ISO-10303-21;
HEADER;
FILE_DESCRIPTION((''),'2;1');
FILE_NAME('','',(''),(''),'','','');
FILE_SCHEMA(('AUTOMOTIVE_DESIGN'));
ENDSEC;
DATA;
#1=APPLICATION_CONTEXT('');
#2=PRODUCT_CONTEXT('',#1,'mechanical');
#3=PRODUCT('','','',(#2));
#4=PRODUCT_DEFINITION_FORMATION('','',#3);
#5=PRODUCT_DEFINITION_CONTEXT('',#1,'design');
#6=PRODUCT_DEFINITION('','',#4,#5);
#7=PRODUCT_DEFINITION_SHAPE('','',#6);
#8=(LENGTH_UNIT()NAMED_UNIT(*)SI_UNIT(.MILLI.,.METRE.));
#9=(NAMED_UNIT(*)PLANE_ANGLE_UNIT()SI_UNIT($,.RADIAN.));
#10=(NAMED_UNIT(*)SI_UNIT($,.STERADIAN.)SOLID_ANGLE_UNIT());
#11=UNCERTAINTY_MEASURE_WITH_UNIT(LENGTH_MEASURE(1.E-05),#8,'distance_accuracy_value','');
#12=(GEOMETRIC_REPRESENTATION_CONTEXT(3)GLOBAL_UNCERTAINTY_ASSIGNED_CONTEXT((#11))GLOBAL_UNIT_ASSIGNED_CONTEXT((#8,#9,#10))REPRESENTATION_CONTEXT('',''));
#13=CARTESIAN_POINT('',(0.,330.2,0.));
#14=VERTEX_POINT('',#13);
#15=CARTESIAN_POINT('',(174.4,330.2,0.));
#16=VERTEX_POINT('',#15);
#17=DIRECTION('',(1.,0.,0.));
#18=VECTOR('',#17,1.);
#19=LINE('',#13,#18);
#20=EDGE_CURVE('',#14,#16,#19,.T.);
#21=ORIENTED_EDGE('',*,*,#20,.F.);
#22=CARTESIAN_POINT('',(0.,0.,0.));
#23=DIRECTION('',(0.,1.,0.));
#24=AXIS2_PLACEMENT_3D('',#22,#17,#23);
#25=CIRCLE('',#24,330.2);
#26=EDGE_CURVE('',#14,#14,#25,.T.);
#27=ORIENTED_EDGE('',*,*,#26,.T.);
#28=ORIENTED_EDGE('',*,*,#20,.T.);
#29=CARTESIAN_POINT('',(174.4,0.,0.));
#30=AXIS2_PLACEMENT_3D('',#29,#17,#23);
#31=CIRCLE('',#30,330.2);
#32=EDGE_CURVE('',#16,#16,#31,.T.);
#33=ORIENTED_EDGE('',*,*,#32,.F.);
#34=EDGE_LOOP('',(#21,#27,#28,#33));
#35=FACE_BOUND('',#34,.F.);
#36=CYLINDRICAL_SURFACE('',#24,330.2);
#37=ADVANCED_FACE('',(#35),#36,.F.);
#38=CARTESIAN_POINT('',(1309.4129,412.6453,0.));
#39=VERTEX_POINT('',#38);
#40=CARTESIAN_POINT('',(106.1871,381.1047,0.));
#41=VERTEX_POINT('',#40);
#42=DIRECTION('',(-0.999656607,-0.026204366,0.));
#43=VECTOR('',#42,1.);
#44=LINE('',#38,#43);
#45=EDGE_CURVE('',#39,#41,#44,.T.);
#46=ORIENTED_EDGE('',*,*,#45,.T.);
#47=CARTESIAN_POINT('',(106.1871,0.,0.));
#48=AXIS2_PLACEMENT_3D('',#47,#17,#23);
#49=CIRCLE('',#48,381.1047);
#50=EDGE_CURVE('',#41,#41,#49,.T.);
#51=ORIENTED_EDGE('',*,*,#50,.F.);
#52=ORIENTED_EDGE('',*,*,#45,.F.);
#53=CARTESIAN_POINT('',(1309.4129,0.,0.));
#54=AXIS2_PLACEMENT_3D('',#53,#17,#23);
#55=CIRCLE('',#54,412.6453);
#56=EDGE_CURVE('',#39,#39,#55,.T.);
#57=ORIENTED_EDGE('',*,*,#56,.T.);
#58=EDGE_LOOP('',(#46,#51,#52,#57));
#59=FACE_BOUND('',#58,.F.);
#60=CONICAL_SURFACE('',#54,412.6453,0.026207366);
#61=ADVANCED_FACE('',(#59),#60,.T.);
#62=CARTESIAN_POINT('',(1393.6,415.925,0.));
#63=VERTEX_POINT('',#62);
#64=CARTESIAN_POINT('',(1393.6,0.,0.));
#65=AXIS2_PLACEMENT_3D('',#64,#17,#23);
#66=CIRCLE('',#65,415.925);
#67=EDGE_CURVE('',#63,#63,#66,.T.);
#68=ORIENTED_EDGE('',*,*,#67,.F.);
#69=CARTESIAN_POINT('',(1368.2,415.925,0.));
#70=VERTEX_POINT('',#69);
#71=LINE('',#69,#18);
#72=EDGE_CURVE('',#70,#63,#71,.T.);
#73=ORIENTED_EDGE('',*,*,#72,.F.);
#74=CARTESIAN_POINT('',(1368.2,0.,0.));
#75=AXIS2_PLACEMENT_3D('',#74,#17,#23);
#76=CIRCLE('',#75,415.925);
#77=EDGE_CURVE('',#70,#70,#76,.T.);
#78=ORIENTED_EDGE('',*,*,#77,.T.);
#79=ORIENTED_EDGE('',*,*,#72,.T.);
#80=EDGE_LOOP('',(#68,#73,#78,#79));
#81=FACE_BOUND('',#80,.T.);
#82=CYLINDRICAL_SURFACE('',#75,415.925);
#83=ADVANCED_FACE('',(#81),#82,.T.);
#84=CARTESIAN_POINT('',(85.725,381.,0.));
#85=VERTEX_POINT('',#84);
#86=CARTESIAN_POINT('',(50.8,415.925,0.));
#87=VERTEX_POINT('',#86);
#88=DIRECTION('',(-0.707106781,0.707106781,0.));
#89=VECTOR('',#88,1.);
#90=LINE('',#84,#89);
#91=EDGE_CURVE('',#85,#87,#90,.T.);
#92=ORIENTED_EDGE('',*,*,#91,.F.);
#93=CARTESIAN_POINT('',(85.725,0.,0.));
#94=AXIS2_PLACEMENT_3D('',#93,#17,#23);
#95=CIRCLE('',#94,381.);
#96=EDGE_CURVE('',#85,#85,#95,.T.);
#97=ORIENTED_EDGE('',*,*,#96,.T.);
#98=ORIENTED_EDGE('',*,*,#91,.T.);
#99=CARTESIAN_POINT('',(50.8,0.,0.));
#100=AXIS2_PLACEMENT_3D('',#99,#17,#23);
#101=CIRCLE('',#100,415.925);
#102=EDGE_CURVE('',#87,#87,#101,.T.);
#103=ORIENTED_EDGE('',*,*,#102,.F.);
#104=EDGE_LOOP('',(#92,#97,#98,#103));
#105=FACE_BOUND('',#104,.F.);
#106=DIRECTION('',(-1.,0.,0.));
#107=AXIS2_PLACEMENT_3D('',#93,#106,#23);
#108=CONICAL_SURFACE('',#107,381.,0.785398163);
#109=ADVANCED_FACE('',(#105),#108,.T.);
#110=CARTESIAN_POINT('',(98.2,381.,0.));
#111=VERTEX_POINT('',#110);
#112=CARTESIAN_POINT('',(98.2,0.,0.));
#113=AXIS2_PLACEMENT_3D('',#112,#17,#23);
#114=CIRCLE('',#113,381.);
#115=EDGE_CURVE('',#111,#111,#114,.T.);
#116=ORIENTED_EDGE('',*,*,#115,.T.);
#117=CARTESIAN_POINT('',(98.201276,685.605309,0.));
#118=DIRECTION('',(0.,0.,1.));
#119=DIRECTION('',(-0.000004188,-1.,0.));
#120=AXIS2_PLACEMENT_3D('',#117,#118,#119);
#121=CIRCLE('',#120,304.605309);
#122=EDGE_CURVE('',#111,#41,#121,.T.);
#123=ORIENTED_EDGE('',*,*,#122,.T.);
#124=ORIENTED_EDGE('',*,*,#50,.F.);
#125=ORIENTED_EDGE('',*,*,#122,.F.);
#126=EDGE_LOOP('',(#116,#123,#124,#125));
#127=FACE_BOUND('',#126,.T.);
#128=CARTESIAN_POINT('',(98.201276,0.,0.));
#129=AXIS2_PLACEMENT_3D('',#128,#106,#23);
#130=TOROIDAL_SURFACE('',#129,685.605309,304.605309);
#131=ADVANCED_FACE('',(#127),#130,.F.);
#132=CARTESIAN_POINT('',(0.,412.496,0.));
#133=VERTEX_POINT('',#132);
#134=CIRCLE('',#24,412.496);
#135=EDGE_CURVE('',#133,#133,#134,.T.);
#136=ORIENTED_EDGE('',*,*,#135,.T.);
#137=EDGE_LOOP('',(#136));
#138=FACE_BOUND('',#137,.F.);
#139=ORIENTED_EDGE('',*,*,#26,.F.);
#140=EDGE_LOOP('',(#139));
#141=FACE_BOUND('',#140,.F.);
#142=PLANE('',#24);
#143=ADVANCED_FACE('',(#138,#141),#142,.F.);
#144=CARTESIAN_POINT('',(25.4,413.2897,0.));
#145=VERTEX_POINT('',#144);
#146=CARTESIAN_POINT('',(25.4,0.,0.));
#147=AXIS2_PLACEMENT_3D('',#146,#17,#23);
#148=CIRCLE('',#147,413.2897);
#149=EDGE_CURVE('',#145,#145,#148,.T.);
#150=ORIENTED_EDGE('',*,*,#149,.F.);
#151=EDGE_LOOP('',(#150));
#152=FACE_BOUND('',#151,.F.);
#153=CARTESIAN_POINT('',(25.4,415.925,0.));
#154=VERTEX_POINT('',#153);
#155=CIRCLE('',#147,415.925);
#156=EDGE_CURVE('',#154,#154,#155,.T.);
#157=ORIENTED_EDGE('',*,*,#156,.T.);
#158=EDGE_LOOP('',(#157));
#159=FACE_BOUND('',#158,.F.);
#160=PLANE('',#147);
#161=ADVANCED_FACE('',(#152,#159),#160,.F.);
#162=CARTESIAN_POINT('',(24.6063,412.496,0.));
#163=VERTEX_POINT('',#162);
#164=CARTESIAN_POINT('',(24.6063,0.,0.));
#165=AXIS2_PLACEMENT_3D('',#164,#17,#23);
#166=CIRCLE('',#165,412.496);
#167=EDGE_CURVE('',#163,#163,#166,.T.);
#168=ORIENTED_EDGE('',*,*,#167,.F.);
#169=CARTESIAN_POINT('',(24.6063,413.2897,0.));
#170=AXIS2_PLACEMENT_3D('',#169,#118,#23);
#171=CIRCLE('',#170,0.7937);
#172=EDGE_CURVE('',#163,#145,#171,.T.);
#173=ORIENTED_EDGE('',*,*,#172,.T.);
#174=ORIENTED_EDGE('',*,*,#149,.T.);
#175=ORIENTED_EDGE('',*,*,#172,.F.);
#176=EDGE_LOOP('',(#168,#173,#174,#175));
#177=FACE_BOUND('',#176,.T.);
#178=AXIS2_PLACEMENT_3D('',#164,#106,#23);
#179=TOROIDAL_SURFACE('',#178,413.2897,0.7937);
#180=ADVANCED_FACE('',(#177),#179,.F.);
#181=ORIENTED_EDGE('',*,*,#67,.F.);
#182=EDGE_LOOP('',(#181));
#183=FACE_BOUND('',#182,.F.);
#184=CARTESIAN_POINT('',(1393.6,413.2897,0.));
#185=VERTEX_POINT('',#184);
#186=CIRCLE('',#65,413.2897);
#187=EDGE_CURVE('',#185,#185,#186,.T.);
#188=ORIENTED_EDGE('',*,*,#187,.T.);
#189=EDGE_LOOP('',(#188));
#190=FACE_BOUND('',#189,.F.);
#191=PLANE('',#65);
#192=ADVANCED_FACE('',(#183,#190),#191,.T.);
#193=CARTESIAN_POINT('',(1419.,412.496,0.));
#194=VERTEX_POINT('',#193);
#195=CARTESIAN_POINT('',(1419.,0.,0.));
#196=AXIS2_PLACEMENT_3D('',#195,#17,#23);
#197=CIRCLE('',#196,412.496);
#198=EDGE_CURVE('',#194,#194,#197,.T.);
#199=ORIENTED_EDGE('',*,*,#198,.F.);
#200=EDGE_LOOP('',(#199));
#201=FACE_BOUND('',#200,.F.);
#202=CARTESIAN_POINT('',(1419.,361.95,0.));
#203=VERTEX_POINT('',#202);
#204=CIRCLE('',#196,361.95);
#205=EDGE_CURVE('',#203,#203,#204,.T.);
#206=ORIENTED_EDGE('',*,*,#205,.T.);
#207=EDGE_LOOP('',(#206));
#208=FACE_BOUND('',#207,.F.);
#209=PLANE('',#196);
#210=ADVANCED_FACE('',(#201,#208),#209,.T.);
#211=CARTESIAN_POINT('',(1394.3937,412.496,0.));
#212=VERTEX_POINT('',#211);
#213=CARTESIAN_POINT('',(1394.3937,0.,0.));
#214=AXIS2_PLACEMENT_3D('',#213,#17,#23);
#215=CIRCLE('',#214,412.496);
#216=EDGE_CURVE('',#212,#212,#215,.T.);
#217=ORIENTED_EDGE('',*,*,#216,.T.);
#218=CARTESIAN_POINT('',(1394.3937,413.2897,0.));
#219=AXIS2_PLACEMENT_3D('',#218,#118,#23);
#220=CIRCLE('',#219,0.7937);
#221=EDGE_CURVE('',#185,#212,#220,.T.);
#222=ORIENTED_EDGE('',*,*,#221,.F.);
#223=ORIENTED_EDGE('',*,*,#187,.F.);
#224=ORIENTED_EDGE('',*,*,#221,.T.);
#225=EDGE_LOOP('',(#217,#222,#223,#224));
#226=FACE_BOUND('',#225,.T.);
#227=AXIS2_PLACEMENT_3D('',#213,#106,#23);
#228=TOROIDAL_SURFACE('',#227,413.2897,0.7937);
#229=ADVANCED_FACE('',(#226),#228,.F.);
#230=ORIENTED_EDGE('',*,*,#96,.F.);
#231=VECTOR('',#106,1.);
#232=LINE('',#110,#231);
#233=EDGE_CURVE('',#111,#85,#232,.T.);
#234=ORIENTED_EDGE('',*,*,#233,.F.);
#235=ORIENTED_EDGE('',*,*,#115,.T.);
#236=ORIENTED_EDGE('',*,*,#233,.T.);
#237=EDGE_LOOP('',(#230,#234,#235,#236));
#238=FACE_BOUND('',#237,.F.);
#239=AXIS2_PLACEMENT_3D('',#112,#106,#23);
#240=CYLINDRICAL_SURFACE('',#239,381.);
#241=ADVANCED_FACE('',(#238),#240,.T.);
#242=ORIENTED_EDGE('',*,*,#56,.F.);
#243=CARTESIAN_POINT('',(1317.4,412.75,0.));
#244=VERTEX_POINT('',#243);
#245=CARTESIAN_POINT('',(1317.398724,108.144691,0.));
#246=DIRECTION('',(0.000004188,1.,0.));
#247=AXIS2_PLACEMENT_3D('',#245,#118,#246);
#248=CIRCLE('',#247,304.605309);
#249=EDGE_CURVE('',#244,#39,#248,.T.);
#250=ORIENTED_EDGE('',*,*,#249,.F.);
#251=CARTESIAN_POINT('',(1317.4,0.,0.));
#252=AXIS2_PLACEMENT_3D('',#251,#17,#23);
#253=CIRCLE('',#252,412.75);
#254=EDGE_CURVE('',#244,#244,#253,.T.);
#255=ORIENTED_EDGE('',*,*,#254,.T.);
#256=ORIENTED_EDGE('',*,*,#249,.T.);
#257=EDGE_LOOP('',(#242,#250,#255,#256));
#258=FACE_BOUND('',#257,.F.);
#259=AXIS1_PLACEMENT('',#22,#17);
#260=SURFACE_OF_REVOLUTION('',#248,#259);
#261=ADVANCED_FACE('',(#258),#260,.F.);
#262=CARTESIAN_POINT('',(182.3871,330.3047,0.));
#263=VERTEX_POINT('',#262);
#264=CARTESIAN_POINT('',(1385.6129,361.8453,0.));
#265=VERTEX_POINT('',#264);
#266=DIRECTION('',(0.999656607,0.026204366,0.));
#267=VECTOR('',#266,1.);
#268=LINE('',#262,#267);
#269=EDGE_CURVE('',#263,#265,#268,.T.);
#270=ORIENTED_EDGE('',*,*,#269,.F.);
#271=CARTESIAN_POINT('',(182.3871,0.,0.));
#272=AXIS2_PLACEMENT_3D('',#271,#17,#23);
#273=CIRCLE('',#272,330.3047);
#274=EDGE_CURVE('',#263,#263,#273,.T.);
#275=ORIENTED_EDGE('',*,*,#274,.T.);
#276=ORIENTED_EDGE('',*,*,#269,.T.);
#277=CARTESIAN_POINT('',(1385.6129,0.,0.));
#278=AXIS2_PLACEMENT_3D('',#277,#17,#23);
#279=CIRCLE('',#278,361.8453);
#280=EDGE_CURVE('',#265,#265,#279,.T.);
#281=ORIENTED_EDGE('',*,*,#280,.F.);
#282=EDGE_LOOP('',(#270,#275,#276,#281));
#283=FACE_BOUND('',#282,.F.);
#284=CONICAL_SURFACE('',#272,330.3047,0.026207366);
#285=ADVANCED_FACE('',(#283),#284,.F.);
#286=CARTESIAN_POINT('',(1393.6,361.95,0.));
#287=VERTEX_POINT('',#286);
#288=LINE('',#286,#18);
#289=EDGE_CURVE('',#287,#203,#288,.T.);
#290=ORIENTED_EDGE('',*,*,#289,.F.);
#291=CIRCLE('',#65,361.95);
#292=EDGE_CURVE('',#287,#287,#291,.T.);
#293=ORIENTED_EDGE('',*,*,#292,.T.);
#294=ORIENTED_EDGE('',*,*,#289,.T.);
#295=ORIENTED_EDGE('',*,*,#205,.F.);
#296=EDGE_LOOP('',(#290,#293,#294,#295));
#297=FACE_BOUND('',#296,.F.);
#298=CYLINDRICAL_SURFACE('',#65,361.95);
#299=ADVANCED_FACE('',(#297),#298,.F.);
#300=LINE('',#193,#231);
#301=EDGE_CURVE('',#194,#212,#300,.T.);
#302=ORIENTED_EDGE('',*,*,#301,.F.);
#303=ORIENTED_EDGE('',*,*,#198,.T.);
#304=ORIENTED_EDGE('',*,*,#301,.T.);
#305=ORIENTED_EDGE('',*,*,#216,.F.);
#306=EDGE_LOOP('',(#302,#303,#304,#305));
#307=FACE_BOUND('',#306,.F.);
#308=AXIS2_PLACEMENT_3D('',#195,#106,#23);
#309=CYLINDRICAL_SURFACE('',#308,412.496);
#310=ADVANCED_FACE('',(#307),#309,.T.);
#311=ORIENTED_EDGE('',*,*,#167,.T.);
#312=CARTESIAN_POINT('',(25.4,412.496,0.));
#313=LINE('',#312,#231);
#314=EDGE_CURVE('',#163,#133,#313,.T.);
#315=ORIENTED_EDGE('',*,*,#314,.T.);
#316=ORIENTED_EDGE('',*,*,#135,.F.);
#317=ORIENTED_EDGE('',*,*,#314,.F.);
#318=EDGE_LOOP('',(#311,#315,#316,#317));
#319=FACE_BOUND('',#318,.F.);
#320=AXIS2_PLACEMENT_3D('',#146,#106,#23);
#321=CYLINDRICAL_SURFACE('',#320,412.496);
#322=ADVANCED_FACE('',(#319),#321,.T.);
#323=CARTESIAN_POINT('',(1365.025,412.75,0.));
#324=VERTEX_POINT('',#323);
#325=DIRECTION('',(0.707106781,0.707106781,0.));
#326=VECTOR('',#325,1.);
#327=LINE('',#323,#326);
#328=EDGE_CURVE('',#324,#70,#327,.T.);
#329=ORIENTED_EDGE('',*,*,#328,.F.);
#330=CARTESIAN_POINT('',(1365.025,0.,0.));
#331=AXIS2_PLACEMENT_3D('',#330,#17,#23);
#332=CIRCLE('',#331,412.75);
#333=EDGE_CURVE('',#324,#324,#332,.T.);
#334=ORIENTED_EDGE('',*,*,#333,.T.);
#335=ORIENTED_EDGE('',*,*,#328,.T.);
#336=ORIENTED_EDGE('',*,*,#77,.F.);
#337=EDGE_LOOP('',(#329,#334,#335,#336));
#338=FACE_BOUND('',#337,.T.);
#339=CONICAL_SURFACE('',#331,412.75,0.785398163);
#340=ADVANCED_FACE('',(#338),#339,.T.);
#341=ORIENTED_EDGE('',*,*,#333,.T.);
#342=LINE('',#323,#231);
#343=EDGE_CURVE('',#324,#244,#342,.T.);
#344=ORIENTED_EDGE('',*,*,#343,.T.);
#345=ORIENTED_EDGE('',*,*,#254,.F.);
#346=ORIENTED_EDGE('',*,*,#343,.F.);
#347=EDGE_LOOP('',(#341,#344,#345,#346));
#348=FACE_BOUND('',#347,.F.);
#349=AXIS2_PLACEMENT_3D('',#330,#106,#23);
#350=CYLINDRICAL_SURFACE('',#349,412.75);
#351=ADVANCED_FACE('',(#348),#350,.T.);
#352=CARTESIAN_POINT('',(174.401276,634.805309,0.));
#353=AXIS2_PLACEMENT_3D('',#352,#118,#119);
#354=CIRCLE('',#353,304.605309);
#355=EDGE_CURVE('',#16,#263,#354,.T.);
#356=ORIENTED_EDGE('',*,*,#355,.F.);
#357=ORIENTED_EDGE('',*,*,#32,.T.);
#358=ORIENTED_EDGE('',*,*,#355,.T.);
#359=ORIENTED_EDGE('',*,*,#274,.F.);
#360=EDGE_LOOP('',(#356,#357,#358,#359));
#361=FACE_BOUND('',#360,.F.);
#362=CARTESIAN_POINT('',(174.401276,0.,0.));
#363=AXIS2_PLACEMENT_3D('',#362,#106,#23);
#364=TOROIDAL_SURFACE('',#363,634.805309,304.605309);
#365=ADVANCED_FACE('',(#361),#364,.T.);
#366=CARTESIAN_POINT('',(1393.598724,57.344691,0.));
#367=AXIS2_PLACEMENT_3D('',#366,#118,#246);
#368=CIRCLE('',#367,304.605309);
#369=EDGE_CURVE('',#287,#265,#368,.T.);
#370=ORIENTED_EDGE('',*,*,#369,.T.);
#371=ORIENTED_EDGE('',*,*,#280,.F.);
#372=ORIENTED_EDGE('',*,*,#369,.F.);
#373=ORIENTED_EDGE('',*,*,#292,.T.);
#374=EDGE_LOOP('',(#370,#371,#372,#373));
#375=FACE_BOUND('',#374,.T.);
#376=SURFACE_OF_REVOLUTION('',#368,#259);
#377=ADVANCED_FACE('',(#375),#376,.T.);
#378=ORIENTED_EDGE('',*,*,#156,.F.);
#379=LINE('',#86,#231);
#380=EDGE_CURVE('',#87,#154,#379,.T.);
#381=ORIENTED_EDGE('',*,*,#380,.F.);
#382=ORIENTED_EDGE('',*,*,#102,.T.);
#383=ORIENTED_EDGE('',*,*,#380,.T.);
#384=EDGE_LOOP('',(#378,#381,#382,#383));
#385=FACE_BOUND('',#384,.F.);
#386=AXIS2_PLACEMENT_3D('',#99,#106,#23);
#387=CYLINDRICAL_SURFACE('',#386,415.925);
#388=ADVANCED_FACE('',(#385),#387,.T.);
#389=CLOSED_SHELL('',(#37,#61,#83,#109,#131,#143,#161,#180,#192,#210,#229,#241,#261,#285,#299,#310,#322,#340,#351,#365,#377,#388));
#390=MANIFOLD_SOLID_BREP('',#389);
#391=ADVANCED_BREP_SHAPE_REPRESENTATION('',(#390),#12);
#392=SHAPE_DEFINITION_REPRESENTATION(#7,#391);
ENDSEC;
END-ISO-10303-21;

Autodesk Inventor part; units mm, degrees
ref_plane "YZ Plane" through (0, 0, 0) normal (1, 0, 0) x (0, 1, 0)
ref_plane "XZ Plane" through (0, 0, 0) normal (0, 1, 0) x (-1, 0, 0)
ref_plane "XY Plane" through (0, 0, 0) normal (0, 0, 1) x (1, 0, 0)
sketch "Sketch1" plane through (0, 0, 0) normal (0, 0, 1) x (1, 0, 0)
  line L0 (0, 0) -> (1419, 0)
  line L1 (0, 330.2) -> (174.4, 330.2)
  arc A0 (174.4, 330.2) -> (182.3871, 330.3047) centre (174.4, 635) ccw
  line L2 (182.3871, 330.3047) -> (1385.6129, 361.8453)
  arc A1 (1393.6, 361.95) -> (1385.6129, 361.8453) centre (1393.6, 57.15) ccw
  line L3 (1393.6, 361.95) -> (1419, 361.95)
  line L4 (1419, 361.95) -> (1419, 412.496)
  line L5 (1419, 412.496) -> (1393.6, 412.496)
  line L6 (1393.6, 412.496) -> (1393.6, 415.925)
  line L7 (1365.025, 412.75) -> (1317.4, 412.75)
  arc A2 (1317.4, 412.75) -> (1309.4129, 412.6453) centre (1317.4, 107.95) ccw
  line L8 (1309.4129, 412.6453) -> (106.1871, 381.1047)
  arc A3 (98.2, 381) -> (106.1871, 381.1047) centre (98.2, 685.8) ccw
  line L9 (98.2, 381) -> (85.725, 381)
  line L10 (25.4, 415.925) -> (25.4, 412.496)
  line L11 (25.4, 412.496) -> (0, 412.496)
  line L12 (0, 412.496) -> (0, 330.2)
  line L13 (85.725, 381) -> (50.8, 415.925)
  line L14 (50.8, 415.925) -> (25.4, 415.925)
  line L15 (1365.025, 412.75) -> (1368.2, 415.925)
  line L16 (1368.2, 415.925) -> (1393.6, 415.925)
  dimension "d0" = 1419
  dimension "d1" = 660.4
  dimension "d2" = 723.9
  dimension "d3" = 824.992
  dimension "d4" = 50.8
  dimension "d5" = 25.4
  dimension "d6" = 25.4
  dimension "d7" = 824.992
  dimension "d8" = 762
  dimension "d9" = 25.4
  dimension "d10" = 101.6
  dimension "d11" = 304.8
  dimension "d12" = 304.8
  dimension "d13" = 1219.2
  dimension "d14" = 52.7793
  dimension "d17" = 25.4
  dimension "d18" = 45
  dimension "d19" = 831.85
  dimension "d23" = 25.4
  dimension "d24" = 45
  dimension "d25" = 831.85
revolve "Revolution1" add sketch "Sketch1" angle 360 about axis through (0, 0, 0) along (1, 0, 0)
fillet "Fillet1" radius 0.7937 2 edges at (1393.6, -412.496, 0) (25.4, -412.496, 0)
properties part number "A1-19027-200-04 HCWi reducer" material "Iron, HCWI"
